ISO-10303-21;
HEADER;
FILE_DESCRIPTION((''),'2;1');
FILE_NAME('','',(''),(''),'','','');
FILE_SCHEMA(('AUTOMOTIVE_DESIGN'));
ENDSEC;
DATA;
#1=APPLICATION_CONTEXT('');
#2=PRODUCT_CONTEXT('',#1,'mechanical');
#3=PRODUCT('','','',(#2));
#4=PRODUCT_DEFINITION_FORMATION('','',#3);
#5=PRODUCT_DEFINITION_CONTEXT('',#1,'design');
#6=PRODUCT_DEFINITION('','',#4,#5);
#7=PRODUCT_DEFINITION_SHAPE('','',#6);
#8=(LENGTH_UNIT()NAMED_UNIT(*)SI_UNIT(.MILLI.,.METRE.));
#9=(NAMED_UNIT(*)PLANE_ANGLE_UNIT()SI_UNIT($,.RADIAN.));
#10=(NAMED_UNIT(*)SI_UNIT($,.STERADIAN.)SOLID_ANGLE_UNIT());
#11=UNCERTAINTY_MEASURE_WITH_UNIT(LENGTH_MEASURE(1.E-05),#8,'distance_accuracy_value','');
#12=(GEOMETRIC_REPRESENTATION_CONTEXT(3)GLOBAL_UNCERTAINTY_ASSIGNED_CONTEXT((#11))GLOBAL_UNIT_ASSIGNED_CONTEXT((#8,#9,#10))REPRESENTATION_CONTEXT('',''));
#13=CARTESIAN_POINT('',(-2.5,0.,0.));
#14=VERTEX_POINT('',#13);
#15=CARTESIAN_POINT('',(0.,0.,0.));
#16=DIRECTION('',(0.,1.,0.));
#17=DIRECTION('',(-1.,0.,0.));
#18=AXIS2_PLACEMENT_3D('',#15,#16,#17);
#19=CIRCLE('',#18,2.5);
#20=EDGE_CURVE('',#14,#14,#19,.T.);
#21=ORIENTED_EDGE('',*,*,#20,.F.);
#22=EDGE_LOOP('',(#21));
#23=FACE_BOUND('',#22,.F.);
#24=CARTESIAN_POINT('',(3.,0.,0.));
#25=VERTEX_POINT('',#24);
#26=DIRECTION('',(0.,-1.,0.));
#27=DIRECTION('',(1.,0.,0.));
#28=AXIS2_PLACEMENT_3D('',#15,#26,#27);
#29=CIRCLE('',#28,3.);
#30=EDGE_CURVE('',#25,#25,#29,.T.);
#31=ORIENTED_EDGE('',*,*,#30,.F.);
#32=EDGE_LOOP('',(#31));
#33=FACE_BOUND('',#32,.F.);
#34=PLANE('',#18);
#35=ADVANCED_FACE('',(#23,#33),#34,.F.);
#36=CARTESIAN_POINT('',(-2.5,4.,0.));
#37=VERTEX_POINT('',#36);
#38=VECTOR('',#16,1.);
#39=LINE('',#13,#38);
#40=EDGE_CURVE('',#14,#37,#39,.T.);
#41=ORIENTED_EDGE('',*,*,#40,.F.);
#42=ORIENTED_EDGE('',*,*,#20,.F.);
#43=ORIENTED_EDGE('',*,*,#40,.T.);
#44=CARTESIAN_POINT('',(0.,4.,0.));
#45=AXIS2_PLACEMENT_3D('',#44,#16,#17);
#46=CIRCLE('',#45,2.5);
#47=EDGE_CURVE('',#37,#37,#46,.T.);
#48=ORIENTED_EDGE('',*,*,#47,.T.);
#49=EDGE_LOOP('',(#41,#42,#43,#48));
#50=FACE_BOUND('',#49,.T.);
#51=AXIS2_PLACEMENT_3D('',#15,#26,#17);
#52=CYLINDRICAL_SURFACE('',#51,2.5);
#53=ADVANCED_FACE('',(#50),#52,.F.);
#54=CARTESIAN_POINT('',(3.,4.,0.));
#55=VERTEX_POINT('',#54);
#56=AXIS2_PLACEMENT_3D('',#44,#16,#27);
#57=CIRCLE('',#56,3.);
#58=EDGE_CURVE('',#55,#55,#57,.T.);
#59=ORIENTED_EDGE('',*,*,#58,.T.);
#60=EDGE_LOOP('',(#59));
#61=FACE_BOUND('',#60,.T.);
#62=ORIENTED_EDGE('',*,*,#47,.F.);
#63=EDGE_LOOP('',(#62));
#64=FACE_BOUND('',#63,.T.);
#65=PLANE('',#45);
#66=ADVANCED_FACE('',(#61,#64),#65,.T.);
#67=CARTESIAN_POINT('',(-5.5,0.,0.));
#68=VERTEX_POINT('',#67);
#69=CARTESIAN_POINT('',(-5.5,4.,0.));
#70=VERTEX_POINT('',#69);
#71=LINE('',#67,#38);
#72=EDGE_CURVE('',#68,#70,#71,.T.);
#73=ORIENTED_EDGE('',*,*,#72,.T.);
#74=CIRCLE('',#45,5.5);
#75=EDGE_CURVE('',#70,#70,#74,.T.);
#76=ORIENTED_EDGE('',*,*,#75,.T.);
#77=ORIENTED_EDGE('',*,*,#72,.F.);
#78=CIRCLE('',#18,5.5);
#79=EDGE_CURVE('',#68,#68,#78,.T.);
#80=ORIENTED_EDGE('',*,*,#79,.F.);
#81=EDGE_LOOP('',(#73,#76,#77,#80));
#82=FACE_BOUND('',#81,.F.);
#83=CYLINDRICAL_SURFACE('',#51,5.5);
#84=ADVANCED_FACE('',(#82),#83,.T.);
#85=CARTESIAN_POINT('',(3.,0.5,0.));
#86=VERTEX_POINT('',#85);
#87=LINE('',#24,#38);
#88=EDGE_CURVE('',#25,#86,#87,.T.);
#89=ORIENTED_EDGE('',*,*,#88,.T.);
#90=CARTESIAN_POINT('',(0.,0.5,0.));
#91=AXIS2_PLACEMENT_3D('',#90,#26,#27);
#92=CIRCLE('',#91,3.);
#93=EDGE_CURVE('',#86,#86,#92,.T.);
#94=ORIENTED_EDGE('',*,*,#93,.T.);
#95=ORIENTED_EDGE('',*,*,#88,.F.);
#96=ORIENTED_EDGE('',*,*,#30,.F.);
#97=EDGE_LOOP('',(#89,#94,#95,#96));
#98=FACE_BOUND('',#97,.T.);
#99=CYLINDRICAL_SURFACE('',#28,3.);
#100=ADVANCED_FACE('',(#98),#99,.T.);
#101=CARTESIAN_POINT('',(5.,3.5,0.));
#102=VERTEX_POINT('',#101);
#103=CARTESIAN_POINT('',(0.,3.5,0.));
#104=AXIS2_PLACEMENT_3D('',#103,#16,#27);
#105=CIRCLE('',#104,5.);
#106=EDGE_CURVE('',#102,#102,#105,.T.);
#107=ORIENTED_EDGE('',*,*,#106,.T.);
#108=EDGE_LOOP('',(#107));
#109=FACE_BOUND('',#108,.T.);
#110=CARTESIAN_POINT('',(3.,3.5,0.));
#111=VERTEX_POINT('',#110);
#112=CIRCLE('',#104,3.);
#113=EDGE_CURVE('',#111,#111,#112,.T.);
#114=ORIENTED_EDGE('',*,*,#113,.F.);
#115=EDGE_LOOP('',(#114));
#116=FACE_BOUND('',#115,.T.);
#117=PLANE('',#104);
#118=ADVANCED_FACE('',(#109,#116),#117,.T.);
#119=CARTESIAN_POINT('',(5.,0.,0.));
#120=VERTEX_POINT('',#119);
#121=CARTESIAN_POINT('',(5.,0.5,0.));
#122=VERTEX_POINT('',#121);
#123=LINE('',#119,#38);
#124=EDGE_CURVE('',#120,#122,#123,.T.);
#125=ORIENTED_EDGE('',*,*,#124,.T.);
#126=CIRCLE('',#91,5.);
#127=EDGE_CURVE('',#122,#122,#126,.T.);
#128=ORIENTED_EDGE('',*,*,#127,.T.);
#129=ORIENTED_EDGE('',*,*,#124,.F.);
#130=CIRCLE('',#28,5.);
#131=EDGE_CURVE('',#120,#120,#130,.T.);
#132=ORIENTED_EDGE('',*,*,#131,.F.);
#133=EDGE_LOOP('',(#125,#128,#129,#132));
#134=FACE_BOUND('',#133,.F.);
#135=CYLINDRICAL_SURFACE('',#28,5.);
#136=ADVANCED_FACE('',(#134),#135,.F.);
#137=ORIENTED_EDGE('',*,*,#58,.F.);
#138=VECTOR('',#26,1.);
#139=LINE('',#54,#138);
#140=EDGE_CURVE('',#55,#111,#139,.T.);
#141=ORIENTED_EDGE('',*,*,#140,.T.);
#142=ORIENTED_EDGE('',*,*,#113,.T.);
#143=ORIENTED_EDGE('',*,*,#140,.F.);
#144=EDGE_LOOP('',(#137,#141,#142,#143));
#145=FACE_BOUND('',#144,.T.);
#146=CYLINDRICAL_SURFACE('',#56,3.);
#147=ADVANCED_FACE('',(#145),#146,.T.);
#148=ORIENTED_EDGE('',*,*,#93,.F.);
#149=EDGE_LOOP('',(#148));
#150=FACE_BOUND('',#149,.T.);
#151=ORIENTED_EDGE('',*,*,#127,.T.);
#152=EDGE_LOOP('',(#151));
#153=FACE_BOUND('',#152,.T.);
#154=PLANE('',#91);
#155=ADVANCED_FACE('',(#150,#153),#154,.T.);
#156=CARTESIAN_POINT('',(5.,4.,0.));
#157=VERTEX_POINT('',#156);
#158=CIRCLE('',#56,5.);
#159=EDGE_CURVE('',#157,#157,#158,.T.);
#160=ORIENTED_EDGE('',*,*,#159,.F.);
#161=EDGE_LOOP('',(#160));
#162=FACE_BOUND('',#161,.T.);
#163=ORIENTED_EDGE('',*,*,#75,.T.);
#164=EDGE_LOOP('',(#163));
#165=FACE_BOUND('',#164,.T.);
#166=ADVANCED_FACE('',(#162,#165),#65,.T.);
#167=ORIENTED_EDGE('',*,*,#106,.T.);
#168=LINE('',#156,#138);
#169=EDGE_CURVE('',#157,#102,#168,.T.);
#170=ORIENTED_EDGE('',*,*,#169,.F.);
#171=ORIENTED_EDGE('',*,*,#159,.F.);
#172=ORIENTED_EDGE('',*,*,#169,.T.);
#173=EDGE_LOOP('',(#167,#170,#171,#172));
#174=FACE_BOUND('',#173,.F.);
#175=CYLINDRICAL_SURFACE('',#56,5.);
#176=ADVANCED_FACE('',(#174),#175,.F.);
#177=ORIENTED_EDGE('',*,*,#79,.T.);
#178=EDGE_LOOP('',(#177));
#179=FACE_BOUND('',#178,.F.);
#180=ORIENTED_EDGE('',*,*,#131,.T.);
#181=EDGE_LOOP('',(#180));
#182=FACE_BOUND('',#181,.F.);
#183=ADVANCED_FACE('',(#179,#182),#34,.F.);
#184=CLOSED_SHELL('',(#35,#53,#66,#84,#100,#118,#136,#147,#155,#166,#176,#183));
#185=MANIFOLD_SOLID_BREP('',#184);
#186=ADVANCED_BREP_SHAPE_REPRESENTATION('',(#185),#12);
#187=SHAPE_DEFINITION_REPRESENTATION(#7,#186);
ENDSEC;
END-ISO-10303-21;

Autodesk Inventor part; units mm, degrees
ref_plane "YZ Plane" through (0, 0, 0) normal (1, 0, 0) x (0, 1, 0)
ref_plane "XZ Plane" through (0, 0, 0) normal (0, 1, 0) x (-1, 0, 0)
ref_plane "XY Plane" through (0, 0, 0) normal (0, 0, 1) x (1, 0, 0)
sketch "Sketch1" plane through (0, 0, 0) normal (0, 1, 0) x (-1, 0, 0)
  circle A0 centre (0, 0) radius 5.5
  circle A1 centre (0, 0) radius 2.5
  dimension "d0" = 11
  dimension "d1" = 5
extrude "Extrusion1" add sketch "Sketch1" along normal blind 4
sketch "Sketch2" plane through (0, 4, 0) normal (0, 1, 0) x (1, 0, 0)
  circle A0 centre (0, 0) radius 5.5 projected
  circle A1 centre (0, 0) radius 2.5 projected
  circle A2 centre (0, 0) radius 3
  circle A3 centre (0, 0) radius 5
  dimension "d4" = 0.5
  dimension "d5" = 0.5
extrude "Extrusion2" cut sketch "Sketch2" against normal blind 0.5 contours A3
sketch "Sketch3" plane through (0, 0, 0) normal (0, -1, 0) x (1, 0, 0)
  circle A0 centre (0, 0) radius 5.5 projected
  circle A1 centre (0, 0) radius 2.5 projected
  circle A2 centre (0, 0) radius 5 projected
  circle A3 centre (0, 0) radius 3 projected
extrude "Extrusion3" cut sketch "Sketch3" against normal blind 0.5 contours A2
properties part number "Bearing_5x11x4"
